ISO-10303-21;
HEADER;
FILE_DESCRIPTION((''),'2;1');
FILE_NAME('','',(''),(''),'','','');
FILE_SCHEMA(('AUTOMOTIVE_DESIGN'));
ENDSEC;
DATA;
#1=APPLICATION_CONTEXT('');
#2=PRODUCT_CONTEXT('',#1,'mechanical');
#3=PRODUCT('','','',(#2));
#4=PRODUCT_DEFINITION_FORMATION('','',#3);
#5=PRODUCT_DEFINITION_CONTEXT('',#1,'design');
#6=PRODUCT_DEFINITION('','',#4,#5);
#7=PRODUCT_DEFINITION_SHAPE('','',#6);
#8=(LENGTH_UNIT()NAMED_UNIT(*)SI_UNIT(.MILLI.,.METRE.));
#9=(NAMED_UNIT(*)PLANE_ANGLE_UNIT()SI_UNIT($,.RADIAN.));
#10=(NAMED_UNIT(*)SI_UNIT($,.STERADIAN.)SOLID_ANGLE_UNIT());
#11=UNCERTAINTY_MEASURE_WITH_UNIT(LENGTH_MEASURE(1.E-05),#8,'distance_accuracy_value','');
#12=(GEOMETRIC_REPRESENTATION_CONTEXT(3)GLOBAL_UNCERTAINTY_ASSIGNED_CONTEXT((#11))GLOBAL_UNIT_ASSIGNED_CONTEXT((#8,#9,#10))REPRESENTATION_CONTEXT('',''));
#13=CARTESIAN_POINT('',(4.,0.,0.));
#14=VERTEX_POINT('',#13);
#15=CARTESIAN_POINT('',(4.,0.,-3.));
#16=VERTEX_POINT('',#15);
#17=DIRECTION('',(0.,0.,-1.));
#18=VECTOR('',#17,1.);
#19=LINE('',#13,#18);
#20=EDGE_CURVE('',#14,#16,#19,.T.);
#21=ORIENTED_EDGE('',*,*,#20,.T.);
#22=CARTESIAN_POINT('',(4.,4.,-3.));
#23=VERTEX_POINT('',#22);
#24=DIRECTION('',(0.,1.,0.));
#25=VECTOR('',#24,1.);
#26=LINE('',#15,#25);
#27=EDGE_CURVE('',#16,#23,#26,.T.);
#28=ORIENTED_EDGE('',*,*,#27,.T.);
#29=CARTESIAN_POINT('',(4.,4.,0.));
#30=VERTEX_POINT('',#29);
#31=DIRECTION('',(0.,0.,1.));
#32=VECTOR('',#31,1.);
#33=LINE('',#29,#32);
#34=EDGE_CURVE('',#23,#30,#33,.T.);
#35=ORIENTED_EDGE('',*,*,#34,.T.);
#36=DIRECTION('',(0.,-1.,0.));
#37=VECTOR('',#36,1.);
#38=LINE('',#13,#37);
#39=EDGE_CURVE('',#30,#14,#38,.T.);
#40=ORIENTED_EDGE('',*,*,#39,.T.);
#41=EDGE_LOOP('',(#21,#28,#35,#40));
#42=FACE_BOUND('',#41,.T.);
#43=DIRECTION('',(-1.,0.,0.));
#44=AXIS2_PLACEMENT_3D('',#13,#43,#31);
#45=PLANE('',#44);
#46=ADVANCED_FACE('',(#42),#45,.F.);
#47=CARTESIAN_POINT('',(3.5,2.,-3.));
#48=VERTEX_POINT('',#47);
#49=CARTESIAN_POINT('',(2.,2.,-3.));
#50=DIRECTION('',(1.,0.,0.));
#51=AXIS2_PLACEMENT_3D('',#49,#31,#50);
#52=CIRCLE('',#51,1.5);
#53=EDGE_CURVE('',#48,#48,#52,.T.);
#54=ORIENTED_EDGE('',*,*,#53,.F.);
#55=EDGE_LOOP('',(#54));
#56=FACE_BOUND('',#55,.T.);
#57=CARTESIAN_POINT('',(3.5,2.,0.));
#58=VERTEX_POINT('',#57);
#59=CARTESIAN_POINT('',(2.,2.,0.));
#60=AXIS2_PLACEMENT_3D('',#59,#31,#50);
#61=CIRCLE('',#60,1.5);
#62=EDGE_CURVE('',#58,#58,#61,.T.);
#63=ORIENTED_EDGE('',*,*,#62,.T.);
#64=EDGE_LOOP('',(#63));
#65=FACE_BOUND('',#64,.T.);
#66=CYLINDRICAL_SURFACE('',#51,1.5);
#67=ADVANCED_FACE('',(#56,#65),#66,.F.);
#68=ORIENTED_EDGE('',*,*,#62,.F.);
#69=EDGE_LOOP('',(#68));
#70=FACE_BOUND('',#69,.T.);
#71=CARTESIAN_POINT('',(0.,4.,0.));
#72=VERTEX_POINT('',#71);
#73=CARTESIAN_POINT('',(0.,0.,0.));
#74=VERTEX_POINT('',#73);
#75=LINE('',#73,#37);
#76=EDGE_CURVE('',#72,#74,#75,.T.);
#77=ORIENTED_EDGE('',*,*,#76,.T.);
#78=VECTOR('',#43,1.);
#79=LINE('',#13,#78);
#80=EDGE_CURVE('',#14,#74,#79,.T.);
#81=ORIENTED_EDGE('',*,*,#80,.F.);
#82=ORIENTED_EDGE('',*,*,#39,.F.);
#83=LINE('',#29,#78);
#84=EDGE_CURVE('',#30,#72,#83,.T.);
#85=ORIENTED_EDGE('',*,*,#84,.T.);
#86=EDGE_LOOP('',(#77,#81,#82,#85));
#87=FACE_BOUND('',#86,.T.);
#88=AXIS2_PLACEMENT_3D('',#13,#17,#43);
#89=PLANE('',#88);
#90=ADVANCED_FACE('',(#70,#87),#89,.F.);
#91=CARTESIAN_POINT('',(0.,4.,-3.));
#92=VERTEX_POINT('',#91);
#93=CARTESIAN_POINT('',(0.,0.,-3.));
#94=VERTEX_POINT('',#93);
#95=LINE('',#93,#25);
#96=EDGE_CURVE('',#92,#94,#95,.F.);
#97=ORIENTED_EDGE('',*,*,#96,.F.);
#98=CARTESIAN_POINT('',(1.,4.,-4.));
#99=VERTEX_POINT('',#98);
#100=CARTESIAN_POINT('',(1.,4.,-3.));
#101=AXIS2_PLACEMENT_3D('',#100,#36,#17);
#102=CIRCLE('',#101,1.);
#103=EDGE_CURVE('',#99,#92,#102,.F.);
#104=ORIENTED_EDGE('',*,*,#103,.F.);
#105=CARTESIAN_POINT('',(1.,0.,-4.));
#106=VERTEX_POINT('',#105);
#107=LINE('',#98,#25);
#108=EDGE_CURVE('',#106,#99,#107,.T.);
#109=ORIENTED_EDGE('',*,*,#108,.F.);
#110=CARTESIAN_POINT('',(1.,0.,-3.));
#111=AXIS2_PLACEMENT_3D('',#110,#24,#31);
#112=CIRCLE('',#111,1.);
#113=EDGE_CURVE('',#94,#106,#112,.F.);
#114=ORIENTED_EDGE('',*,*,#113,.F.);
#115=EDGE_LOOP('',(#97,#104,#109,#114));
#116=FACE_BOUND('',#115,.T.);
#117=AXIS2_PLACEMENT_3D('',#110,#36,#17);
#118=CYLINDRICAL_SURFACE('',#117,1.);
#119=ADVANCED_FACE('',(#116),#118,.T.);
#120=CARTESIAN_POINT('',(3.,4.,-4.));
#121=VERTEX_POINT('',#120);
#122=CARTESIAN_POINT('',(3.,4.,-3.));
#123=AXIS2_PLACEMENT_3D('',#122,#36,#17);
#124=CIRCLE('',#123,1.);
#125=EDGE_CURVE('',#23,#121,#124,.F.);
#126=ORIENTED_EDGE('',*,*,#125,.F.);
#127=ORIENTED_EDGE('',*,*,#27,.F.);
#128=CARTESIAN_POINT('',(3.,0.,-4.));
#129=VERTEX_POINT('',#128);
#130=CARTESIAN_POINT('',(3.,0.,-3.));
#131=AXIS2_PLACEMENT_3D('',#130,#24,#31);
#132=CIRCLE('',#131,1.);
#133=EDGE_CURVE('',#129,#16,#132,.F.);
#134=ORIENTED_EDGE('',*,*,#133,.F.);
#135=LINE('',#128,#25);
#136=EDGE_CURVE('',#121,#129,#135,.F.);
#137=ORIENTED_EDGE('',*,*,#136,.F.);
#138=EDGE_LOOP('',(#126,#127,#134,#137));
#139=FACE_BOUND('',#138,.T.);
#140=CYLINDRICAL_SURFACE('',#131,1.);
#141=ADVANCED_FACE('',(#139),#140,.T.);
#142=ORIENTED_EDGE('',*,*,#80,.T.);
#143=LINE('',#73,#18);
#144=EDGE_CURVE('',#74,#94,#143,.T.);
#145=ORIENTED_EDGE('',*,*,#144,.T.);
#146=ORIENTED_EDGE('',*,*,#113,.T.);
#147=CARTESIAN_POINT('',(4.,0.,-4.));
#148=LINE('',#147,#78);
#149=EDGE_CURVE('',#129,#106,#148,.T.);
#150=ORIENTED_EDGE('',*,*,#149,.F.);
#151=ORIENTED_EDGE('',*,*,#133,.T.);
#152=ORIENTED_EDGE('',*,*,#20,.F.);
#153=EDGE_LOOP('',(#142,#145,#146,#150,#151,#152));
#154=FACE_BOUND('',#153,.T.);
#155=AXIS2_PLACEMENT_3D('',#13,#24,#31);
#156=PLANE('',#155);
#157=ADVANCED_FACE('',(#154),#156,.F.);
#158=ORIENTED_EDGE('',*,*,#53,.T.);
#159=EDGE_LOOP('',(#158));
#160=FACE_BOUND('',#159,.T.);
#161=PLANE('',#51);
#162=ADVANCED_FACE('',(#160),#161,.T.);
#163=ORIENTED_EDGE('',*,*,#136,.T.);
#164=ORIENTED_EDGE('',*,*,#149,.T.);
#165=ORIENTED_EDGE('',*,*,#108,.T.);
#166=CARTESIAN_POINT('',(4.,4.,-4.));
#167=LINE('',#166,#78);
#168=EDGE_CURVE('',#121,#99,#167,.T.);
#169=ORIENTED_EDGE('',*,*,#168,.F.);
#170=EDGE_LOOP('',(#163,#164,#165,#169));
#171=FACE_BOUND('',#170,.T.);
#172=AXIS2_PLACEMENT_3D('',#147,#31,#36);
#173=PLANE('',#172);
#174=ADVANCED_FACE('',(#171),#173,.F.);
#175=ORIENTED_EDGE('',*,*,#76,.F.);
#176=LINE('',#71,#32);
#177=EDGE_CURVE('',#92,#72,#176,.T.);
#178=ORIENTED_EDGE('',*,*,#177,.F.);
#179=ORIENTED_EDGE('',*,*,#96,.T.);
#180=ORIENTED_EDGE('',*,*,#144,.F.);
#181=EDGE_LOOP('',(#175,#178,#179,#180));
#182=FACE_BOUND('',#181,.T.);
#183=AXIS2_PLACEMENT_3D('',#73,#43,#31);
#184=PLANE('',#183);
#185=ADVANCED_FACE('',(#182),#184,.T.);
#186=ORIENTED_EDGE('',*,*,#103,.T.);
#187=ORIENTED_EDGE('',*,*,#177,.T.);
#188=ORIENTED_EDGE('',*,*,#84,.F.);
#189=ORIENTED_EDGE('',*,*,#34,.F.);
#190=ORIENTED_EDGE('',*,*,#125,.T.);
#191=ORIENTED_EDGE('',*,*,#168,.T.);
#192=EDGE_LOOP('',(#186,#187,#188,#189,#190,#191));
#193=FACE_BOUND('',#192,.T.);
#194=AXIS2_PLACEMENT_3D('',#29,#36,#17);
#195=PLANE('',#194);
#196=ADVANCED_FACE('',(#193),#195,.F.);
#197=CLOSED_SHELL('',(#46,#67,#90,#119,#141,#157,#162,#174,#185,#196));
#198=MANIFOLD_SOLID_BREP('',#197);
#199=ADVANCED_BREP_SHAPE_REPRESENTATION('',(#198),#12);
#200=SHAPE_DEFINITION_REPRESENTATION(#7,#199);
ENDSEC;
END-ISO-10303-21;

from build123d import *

# Parameters (mm, degrees)
SKETCH2_W           = 4
SKETCH2_H           = 4
BOSS_EXTRUDE1_DEPTH = 4
FILLET1_R           = 1
SKETCH3_R           = 1.5
CUT_EXTRUDE1_DEPTH  = 3


with BuildPart() as part:
    # Sketch2 → Boss-Extrude1 (new body)
    with BuildSketch(Plane(origin=(0, 0, 0), x_dir=(0, 0, -1), z_dir=(1, 0, 0))):
        with Locations((2, 2)):
            Rectangle(SKETCH2_W, SKETCH2_H)
    extrude(amount=BOSS_EXTRUDE1_DEPTH)

    # Fillet1
    fillet1_edges = [part.edges().sort_by_distance(p)[0] for p in [
        (4, 2, -4),
        (0, 2, -4),
    ]]
    fillet(fillet1_edges, radius=FILLET1_R)

    # Sketch3 → Cut-Extrude1 (cut)
    with BuildSketch(Plane.XY):
        with Locations((2, 2)):
            Circle(SKETCH3_R)
    extrude(amount=-CUT_EXTRUDE1_DEPTH, mode=Mode.SUBTRACT)


solid = part.part
